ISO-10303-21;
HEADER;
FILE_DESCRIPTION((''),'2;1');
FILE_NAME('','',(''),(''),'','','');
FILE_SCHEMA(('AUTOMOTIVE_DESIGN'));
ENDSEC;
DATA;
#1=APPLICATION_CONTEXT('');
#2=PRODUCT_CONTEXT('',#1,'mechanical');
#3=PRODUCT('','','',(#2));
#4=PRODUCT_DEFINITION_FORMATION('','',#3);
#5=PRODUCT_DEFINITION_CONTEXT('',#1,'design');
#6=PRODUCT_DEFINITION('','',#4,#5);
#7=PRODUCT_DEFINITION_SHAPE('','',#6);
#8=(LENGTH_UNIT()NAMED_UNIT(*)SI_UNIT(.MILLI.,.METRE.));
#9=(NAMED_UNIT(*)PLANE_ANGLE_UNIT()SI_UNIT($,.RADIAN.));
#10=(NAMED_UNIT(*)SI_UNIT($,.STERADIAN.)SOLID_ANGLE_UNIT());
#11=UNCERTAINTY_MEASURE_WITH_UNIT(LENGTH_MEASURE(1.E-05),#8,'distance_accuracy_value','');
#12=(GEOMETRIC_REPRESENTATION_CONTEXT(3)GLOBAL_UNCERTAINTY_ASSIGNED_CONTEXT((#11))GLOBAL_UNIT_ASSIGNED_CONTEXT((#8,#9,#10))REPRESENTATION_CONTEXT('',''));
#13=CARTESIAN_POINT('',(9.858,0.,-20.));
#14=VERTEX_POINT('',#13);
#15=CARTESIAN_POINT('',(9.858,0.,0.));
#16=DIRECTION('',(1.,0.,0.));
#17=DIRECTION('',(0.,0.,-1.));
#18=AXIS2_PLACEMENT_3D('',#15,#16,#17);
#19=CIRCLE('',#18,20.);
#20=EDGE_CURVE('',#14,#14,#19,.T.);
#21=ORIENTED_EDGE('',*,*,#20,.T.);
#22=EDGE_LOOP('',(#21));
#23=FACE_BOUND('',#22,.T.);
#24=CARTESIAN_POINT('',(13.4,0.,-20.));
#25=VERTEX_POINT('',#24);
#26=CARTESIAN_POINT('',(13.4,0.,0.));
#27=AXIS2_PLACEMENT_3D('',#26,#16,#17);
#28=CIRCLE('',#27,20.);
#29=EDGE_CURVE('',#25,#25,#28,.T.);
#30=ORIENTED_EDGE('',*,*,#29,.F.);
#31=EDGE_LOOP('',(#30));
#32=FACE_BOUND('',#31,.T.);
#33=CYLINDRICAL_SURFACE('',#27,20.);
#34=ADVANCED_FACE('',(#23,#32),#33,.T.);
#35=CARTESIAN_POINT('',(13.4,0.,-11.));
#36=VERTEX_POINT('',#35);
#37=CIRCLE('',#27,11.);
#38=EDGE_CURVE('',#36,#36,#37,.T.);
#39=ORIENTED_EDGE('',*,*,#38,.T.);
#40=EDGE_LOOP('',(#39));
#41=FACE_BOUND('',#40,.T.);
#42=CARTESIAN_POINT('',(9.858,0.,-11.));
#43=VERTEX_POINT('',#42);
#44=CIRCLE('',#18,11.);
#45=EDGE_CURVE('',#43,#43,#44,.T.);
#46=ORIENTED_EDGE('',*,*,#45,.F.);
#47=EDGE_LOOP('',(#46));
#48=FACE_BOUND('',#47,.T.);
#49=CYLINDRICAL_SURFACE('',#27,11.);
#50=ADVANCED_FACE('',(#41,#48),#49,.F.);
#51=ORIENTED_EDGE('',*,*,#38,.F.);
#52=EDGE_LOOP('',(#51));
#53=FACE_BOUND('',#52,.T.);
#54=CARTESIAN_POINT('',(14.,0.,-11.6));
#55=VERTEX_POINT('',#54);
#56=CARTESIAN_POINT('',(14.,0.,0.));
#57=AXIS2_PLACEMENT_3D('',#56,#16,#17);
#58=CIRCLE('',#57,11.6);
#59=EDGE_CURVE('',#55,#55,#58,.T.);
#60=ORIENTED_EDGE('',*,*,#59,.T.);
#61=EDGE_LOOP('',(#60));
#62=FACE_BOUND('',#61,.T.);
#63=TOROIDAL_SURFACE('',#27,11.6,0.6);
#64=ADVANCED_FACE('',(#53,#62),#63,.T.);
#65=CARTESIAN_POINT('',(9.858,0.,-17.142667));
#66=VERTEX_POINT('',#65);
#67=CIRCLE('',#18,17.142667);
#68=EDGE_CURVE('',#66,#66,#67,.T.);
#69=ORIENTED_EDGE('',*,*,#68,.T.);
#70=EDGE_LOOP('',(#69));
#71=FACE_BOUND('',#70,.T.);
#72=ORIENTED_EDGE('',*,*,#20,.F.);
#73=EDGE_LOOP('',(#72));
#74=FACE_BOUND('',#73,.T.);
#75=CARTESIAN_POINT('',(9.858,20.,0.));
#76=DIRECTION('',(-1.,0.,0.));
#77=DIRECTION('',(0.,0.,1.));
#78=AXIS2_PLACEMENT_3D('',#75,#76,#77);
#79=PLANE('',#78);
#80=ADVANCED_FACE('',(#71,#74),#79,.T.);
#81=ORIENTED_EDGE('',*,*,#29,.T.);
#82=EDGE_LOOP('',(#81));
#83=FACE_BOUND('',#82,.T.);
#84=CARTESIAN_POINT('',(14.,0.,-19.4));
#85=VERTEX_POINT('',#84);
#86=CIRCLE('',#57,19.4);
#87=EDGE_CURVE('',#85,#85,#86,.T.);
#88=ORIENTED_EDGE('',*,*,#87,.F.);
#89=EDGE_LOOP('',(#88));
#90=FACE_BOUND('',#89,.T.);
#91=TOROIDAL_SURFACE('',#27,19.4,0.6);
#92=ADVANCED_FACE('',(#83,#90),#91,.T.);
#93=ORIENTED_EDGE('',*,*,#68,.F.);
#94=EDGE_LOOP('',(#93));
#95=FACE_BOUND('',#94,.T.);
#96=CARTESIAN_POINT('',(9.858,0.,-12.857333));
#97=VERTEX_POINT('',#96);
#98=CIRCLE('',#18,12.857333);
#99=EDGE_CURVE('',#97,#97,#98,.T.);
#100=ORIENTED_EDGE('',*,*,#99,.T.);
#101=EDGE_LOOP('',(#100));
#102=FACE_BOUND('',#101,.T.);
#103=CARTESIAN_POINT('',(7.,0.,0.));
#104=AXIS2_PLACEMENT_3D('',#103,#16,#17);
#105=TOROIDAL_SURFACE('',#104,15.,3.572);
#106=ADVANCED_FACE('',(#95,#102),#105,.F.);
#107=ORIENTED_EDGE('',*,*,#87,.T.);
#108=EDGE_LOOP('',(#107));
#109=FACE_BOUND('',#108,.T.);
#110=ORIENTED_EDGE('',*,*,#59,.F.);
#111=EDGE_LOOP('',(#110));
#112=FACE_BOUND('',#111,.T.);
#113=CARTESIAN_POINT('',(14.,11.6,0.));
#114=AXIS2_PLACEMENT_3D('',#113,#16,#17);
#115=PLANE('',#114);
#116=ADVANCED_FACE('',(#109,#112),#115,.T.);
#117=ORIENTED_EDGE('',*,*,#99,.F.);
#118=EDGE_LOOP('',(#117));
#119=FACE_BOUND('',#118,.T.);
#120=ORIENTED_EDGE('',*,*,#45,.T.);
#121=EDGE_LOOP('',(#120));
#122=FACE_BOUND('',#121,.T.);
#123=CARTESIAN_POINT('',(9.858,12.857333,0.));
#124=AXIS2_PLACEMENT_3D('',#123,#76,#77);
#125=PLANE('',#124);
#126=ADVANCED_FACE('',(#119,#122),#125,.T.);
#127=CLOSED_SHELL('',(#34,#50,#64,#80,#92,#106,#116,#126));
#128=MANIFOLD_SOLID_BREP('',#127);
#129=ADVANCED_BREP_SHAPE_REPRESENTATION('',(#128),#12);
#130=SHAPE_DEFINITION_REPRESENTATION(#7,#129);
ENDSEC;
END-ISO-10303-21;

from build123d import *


with BuildPart() as part:
    # Croquis1 → Revolución1 (revolve)
    with BuildSketch(Plane.XY):
        with BuildLine():
            Line((9.858, 11), (13.4, 11))
            ThreePointArc((13.4, 11), (13.824264069, 11.175735931), (14, 11.6))
            Line((14, 11.6), (14, 19.4))
            ThreePointArc((14, 19.4), (13.824264069, 19.824264069), (13.4, 20))
            Line((13.4, 20), (9.858, 20))
            Line((9.858, 20), (9.858, 17.142666563))
            ThreePointArc((9.858, 17.142666563), (10.572, 15), (9.858, 12.857333437))
            Line((9.858, 12.857333437), (9.858, 11))
        make_face()
    revolve(axis=Axis((13.4, 0, 0), (-1, 0, 0)))


solid = part.part
